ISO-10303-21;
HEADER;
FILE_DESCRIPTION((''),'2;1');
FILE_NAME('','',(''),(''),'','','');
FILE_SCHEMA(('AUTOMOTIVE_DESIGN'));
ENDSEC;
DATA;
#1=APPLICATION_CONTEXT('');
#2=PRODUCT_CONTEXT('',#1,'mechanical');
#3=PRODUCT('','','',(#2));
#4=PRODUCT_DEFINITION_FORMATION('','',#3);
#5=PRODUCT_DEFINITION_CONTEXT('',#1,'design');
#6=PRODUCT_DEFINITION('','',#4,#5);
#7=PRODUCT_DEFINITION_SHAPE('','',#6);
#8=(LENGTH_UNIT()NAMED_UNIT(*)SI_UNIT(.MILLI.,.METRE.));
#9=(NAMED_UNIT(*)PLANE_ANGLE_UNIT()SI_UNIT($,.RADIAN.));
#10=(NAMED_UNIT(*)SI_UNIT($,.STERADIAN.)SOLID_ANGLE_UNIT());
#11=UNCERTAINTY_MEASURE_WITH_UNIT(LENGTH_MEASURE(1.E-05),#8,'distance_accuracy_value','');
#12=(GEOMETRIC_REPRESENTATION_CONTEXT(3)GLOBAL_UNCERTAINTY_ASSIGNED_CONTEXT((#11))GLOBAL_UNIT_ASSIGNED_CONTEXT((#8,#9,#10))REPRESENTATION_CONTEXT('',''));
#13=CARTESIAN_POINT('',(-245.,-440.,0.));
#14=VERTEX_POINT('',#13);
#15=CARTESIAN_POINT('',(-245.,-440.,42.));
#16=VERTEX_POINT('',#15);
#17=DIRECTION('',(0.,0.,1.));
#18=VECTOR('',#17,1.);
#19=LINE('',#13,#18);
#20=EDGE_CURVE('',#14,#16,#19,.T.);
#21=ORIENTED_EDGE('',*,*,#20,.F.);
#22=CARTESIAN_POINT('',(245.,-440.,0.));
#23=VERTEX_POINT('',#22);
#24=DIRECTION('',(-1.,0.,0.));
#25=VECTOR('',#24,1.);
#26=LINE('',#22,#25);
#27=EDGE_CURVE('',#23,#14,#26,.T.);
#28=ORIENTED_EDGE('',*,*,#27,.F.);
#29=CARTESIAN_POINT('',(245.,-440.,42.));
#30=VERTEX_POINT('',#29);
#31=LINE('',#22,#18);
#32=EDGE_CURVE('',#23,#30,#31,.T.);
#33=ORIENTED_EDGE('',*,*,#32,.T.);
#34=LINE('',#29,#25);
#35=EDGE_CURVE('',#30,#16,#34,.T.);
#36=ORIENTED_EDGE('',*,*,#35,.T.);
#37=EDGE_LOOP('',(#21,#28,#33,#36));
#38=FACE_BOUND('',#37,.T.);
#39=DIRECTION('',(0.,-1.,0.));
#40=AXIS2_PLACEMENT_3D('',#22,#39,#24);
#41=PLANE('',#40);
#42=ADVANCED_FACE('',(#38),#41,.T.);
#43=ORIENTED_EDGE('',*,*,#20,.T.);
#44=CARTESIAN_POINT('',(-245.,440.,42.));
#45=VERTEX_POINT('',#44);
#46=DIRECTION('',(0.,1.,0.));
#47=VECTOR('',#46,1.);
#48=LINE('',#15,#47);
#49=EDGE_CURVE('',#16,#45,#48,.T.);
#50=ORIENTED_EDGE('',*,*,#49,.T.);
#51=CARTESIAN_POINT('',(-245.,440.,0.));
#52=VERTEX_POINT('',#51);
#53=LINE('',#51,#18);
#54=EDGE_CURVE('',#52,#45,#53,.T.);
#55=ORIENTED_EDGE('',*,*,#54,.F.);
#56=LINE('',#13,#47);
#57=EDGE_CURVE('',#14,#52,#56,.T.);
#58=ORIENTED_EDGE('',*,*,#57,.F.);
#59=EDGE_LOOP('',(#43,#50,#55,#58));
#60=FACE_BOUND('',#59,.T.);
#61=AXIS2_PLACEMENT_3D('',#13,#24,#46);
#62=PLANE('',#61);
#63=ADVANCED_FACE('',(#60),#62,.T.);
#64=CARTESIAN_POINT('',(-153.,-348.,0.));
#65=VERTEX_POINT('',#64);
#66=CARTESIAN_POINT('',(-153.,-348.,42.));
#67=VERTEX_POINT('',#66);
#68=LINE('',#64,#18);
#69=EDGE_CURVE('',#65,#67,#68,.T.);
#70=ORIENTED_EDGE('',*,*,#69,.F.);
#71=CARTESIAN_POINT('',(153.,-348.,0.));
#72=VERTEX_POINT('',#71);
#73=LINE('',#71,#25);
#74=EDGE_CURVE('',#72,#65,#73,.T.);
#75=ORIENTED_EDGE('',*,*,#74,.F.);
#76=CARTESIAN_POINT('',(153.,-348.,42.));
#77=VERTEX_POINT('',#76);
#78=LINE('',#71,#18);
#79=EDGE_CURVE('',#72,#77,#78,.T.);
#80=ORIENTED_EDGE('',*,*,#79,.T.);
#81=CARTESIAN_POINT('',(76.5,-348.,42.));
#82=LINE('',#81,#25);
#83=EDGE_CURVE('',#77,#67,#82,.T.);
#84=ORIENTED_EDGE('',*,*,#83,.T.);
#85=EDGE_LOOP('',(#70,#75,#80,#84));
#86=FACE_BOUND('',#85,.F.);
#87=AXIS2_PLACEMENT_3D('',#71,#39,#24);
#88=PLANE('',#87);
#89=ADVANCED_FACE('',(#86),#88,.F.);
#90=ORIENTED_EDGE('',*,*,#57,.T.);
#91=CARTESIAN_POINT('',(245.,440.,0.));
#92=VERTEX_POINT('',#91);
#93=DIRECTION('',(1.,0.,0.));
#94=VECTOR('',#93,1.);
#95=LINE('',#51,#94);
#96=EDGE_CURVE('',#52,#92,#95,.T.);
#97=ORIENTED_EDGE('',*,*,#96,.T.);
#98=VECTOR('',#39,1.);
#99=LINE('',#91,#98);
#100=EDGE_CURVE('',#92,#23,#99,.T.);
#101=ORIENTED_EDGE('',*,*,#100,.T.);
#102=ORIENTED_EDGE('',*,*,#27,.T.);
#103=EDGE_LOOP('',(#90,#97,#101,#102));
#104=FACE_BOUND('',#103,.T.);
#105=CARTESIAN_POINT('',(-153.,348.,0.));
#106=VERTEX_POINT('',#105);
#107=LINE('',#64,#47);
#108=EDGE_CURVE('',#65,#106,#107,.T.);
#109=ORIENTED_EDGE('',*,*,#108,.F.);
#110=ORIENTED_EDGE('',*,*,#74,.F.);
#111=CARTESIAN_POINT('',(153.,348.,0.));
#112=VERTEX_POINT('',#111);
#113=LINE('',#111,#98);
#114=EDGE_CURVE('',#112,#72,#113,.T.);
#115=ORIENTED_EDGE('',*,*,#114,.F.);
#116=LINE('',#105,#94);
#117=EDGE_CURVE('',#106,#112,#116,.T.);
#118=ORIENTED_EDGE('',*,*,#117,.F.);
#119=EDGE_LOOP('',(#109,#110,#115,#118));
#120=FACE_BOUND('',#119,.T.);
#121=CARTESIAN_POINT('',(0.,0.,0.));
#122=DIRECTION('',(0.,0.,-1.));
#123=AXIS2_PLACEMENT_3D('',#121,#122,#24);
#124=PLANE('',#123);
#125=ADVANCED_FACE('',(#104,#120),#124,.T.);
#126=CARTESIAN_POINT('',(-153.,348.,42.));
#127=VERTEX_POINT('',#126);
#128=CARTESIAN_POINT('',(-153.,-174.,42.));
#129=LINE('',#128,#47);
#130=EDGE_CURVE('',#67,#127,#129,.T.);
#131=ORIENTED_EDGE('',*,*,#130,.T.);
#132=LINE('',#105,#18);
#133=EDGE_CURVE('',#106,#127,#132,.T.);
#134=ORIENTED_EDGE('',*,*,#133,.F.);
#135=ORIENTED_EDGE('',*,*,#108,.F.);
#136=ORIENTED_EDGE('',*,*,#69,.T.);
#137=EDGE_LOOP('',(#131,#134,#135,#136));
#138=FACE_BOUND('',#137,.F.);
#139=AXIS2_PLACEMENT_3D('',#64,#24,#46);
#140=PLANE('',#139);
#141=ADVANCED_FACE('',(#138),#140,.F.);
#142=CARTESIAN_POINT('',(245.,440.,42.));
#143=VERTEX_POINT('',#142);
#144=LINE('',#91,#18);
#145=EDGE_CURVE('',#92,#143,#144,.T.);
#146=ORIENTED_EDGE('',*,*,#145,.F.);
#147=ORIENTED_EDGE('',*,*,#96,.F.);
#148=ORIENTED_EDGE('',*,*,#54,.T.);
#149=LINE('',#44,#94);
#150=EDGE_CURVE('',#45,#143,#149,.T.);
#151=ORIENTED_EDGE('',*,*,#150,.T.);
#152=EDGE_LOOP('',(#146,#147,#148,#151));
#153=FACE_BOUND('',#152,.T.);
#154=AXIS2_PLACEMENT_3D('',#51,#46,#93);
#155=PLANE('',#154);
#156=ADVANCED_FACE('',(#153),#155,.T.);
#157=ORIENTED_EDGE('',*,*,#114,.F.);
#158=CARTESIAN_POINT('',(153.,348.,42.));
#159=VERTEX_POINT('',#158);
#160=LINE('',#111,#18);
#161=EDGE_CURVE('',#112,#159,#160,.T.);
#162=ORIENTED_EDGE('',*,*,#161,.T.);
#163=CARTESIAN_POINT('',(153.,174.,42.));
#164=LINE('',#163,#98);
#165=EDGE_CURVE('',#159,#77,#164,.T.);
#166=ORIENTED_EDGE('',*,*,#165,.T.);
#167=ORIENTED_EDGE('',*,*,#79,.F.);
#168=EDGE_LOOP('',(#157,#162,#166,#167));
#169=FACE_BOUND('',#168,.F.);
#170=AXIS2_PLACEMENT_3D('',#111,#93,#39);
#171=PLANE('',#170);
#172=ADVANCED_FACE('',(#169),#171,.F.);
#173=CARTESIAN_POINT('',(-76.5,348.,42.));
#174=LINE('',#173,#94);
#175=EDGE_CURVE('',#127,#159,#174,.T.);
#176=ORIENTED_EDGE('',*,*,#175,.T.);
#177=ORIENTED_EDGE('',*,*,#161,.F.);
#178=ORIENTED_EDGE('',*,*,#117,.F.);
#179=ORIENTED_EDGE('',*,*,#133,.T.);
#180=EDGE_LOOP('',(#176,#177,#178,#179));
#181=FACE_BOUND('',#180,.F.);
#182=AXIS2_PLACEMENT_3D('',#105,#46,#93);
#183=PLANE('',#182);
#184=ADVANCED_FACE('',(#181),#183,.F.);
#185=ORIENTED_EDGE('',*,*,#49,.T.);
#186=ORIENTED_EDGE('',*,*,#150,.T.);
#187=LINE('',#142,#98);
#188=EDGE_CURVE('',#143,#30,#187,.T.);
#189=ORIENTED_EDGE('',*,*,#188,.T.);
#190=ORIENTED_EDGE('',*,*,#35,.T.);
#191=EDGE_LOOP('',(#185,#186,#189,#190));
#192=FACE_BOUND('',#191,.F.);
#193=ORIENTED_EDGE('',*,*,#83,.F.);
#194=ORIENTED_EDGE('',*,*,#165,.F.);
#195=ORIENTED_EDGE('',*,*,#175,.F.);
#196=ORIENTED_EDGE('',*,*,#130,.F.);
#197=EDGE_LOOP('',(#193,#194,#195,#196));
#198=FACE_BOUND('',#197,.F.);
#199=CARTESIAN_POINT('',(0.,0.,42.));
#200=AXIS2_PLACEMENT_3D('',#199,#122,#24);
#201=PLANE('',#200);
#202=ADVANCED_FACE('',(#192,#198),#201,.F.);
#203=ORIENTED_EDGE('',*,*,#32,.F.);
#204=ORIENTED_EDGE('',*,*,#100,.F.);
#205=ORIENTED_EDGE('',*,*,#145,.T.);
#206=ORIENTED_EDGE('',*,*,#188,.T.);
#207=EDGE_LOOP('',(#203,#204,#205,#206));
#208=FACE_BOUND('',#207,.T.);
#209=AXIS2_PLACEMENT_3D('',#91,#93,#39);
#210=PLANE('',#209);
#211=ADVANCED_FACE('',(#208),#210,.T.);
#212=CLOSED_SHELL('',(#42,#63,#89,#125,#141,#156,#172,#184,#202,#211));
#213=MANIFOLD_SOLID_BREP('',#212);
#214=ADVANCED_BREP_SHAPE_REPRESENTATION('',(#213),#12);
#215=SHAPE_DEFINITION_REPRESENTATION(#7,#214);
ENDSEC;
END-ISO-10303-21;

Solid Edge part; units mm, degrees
sketch "Sketch1" plane through (0, 0, 0) normal (0, 0, -1) x (-1, 0, 0)
  line L0 (-245, -440) -> (245, -440)
  line L1 (245, -440) -> (245, 440)
  line L2 (245, 440) -> (-245, 440)
  line L3 (-245, 440) -> (-245, -440)
extrude "Protrusion1" add sketch "Sketch1" against normal blind 42
sketch "Sketch2" plane through (0, 0, 0) normal (0, 0, -1) x (1, 0, 0)
  line L0 (-153, -348) -> (153, -348)
  line L1 (153, -348) -> (153, 348)
  line L2 (153, 348) -> (-153, 348)
  line L3 (-153, 348) -> (-153, -348)
extrude "ExtrudedCutout_1" cut sketch "Sketch2" against normal blind 165.9486
properties material "Wood, Pine"
